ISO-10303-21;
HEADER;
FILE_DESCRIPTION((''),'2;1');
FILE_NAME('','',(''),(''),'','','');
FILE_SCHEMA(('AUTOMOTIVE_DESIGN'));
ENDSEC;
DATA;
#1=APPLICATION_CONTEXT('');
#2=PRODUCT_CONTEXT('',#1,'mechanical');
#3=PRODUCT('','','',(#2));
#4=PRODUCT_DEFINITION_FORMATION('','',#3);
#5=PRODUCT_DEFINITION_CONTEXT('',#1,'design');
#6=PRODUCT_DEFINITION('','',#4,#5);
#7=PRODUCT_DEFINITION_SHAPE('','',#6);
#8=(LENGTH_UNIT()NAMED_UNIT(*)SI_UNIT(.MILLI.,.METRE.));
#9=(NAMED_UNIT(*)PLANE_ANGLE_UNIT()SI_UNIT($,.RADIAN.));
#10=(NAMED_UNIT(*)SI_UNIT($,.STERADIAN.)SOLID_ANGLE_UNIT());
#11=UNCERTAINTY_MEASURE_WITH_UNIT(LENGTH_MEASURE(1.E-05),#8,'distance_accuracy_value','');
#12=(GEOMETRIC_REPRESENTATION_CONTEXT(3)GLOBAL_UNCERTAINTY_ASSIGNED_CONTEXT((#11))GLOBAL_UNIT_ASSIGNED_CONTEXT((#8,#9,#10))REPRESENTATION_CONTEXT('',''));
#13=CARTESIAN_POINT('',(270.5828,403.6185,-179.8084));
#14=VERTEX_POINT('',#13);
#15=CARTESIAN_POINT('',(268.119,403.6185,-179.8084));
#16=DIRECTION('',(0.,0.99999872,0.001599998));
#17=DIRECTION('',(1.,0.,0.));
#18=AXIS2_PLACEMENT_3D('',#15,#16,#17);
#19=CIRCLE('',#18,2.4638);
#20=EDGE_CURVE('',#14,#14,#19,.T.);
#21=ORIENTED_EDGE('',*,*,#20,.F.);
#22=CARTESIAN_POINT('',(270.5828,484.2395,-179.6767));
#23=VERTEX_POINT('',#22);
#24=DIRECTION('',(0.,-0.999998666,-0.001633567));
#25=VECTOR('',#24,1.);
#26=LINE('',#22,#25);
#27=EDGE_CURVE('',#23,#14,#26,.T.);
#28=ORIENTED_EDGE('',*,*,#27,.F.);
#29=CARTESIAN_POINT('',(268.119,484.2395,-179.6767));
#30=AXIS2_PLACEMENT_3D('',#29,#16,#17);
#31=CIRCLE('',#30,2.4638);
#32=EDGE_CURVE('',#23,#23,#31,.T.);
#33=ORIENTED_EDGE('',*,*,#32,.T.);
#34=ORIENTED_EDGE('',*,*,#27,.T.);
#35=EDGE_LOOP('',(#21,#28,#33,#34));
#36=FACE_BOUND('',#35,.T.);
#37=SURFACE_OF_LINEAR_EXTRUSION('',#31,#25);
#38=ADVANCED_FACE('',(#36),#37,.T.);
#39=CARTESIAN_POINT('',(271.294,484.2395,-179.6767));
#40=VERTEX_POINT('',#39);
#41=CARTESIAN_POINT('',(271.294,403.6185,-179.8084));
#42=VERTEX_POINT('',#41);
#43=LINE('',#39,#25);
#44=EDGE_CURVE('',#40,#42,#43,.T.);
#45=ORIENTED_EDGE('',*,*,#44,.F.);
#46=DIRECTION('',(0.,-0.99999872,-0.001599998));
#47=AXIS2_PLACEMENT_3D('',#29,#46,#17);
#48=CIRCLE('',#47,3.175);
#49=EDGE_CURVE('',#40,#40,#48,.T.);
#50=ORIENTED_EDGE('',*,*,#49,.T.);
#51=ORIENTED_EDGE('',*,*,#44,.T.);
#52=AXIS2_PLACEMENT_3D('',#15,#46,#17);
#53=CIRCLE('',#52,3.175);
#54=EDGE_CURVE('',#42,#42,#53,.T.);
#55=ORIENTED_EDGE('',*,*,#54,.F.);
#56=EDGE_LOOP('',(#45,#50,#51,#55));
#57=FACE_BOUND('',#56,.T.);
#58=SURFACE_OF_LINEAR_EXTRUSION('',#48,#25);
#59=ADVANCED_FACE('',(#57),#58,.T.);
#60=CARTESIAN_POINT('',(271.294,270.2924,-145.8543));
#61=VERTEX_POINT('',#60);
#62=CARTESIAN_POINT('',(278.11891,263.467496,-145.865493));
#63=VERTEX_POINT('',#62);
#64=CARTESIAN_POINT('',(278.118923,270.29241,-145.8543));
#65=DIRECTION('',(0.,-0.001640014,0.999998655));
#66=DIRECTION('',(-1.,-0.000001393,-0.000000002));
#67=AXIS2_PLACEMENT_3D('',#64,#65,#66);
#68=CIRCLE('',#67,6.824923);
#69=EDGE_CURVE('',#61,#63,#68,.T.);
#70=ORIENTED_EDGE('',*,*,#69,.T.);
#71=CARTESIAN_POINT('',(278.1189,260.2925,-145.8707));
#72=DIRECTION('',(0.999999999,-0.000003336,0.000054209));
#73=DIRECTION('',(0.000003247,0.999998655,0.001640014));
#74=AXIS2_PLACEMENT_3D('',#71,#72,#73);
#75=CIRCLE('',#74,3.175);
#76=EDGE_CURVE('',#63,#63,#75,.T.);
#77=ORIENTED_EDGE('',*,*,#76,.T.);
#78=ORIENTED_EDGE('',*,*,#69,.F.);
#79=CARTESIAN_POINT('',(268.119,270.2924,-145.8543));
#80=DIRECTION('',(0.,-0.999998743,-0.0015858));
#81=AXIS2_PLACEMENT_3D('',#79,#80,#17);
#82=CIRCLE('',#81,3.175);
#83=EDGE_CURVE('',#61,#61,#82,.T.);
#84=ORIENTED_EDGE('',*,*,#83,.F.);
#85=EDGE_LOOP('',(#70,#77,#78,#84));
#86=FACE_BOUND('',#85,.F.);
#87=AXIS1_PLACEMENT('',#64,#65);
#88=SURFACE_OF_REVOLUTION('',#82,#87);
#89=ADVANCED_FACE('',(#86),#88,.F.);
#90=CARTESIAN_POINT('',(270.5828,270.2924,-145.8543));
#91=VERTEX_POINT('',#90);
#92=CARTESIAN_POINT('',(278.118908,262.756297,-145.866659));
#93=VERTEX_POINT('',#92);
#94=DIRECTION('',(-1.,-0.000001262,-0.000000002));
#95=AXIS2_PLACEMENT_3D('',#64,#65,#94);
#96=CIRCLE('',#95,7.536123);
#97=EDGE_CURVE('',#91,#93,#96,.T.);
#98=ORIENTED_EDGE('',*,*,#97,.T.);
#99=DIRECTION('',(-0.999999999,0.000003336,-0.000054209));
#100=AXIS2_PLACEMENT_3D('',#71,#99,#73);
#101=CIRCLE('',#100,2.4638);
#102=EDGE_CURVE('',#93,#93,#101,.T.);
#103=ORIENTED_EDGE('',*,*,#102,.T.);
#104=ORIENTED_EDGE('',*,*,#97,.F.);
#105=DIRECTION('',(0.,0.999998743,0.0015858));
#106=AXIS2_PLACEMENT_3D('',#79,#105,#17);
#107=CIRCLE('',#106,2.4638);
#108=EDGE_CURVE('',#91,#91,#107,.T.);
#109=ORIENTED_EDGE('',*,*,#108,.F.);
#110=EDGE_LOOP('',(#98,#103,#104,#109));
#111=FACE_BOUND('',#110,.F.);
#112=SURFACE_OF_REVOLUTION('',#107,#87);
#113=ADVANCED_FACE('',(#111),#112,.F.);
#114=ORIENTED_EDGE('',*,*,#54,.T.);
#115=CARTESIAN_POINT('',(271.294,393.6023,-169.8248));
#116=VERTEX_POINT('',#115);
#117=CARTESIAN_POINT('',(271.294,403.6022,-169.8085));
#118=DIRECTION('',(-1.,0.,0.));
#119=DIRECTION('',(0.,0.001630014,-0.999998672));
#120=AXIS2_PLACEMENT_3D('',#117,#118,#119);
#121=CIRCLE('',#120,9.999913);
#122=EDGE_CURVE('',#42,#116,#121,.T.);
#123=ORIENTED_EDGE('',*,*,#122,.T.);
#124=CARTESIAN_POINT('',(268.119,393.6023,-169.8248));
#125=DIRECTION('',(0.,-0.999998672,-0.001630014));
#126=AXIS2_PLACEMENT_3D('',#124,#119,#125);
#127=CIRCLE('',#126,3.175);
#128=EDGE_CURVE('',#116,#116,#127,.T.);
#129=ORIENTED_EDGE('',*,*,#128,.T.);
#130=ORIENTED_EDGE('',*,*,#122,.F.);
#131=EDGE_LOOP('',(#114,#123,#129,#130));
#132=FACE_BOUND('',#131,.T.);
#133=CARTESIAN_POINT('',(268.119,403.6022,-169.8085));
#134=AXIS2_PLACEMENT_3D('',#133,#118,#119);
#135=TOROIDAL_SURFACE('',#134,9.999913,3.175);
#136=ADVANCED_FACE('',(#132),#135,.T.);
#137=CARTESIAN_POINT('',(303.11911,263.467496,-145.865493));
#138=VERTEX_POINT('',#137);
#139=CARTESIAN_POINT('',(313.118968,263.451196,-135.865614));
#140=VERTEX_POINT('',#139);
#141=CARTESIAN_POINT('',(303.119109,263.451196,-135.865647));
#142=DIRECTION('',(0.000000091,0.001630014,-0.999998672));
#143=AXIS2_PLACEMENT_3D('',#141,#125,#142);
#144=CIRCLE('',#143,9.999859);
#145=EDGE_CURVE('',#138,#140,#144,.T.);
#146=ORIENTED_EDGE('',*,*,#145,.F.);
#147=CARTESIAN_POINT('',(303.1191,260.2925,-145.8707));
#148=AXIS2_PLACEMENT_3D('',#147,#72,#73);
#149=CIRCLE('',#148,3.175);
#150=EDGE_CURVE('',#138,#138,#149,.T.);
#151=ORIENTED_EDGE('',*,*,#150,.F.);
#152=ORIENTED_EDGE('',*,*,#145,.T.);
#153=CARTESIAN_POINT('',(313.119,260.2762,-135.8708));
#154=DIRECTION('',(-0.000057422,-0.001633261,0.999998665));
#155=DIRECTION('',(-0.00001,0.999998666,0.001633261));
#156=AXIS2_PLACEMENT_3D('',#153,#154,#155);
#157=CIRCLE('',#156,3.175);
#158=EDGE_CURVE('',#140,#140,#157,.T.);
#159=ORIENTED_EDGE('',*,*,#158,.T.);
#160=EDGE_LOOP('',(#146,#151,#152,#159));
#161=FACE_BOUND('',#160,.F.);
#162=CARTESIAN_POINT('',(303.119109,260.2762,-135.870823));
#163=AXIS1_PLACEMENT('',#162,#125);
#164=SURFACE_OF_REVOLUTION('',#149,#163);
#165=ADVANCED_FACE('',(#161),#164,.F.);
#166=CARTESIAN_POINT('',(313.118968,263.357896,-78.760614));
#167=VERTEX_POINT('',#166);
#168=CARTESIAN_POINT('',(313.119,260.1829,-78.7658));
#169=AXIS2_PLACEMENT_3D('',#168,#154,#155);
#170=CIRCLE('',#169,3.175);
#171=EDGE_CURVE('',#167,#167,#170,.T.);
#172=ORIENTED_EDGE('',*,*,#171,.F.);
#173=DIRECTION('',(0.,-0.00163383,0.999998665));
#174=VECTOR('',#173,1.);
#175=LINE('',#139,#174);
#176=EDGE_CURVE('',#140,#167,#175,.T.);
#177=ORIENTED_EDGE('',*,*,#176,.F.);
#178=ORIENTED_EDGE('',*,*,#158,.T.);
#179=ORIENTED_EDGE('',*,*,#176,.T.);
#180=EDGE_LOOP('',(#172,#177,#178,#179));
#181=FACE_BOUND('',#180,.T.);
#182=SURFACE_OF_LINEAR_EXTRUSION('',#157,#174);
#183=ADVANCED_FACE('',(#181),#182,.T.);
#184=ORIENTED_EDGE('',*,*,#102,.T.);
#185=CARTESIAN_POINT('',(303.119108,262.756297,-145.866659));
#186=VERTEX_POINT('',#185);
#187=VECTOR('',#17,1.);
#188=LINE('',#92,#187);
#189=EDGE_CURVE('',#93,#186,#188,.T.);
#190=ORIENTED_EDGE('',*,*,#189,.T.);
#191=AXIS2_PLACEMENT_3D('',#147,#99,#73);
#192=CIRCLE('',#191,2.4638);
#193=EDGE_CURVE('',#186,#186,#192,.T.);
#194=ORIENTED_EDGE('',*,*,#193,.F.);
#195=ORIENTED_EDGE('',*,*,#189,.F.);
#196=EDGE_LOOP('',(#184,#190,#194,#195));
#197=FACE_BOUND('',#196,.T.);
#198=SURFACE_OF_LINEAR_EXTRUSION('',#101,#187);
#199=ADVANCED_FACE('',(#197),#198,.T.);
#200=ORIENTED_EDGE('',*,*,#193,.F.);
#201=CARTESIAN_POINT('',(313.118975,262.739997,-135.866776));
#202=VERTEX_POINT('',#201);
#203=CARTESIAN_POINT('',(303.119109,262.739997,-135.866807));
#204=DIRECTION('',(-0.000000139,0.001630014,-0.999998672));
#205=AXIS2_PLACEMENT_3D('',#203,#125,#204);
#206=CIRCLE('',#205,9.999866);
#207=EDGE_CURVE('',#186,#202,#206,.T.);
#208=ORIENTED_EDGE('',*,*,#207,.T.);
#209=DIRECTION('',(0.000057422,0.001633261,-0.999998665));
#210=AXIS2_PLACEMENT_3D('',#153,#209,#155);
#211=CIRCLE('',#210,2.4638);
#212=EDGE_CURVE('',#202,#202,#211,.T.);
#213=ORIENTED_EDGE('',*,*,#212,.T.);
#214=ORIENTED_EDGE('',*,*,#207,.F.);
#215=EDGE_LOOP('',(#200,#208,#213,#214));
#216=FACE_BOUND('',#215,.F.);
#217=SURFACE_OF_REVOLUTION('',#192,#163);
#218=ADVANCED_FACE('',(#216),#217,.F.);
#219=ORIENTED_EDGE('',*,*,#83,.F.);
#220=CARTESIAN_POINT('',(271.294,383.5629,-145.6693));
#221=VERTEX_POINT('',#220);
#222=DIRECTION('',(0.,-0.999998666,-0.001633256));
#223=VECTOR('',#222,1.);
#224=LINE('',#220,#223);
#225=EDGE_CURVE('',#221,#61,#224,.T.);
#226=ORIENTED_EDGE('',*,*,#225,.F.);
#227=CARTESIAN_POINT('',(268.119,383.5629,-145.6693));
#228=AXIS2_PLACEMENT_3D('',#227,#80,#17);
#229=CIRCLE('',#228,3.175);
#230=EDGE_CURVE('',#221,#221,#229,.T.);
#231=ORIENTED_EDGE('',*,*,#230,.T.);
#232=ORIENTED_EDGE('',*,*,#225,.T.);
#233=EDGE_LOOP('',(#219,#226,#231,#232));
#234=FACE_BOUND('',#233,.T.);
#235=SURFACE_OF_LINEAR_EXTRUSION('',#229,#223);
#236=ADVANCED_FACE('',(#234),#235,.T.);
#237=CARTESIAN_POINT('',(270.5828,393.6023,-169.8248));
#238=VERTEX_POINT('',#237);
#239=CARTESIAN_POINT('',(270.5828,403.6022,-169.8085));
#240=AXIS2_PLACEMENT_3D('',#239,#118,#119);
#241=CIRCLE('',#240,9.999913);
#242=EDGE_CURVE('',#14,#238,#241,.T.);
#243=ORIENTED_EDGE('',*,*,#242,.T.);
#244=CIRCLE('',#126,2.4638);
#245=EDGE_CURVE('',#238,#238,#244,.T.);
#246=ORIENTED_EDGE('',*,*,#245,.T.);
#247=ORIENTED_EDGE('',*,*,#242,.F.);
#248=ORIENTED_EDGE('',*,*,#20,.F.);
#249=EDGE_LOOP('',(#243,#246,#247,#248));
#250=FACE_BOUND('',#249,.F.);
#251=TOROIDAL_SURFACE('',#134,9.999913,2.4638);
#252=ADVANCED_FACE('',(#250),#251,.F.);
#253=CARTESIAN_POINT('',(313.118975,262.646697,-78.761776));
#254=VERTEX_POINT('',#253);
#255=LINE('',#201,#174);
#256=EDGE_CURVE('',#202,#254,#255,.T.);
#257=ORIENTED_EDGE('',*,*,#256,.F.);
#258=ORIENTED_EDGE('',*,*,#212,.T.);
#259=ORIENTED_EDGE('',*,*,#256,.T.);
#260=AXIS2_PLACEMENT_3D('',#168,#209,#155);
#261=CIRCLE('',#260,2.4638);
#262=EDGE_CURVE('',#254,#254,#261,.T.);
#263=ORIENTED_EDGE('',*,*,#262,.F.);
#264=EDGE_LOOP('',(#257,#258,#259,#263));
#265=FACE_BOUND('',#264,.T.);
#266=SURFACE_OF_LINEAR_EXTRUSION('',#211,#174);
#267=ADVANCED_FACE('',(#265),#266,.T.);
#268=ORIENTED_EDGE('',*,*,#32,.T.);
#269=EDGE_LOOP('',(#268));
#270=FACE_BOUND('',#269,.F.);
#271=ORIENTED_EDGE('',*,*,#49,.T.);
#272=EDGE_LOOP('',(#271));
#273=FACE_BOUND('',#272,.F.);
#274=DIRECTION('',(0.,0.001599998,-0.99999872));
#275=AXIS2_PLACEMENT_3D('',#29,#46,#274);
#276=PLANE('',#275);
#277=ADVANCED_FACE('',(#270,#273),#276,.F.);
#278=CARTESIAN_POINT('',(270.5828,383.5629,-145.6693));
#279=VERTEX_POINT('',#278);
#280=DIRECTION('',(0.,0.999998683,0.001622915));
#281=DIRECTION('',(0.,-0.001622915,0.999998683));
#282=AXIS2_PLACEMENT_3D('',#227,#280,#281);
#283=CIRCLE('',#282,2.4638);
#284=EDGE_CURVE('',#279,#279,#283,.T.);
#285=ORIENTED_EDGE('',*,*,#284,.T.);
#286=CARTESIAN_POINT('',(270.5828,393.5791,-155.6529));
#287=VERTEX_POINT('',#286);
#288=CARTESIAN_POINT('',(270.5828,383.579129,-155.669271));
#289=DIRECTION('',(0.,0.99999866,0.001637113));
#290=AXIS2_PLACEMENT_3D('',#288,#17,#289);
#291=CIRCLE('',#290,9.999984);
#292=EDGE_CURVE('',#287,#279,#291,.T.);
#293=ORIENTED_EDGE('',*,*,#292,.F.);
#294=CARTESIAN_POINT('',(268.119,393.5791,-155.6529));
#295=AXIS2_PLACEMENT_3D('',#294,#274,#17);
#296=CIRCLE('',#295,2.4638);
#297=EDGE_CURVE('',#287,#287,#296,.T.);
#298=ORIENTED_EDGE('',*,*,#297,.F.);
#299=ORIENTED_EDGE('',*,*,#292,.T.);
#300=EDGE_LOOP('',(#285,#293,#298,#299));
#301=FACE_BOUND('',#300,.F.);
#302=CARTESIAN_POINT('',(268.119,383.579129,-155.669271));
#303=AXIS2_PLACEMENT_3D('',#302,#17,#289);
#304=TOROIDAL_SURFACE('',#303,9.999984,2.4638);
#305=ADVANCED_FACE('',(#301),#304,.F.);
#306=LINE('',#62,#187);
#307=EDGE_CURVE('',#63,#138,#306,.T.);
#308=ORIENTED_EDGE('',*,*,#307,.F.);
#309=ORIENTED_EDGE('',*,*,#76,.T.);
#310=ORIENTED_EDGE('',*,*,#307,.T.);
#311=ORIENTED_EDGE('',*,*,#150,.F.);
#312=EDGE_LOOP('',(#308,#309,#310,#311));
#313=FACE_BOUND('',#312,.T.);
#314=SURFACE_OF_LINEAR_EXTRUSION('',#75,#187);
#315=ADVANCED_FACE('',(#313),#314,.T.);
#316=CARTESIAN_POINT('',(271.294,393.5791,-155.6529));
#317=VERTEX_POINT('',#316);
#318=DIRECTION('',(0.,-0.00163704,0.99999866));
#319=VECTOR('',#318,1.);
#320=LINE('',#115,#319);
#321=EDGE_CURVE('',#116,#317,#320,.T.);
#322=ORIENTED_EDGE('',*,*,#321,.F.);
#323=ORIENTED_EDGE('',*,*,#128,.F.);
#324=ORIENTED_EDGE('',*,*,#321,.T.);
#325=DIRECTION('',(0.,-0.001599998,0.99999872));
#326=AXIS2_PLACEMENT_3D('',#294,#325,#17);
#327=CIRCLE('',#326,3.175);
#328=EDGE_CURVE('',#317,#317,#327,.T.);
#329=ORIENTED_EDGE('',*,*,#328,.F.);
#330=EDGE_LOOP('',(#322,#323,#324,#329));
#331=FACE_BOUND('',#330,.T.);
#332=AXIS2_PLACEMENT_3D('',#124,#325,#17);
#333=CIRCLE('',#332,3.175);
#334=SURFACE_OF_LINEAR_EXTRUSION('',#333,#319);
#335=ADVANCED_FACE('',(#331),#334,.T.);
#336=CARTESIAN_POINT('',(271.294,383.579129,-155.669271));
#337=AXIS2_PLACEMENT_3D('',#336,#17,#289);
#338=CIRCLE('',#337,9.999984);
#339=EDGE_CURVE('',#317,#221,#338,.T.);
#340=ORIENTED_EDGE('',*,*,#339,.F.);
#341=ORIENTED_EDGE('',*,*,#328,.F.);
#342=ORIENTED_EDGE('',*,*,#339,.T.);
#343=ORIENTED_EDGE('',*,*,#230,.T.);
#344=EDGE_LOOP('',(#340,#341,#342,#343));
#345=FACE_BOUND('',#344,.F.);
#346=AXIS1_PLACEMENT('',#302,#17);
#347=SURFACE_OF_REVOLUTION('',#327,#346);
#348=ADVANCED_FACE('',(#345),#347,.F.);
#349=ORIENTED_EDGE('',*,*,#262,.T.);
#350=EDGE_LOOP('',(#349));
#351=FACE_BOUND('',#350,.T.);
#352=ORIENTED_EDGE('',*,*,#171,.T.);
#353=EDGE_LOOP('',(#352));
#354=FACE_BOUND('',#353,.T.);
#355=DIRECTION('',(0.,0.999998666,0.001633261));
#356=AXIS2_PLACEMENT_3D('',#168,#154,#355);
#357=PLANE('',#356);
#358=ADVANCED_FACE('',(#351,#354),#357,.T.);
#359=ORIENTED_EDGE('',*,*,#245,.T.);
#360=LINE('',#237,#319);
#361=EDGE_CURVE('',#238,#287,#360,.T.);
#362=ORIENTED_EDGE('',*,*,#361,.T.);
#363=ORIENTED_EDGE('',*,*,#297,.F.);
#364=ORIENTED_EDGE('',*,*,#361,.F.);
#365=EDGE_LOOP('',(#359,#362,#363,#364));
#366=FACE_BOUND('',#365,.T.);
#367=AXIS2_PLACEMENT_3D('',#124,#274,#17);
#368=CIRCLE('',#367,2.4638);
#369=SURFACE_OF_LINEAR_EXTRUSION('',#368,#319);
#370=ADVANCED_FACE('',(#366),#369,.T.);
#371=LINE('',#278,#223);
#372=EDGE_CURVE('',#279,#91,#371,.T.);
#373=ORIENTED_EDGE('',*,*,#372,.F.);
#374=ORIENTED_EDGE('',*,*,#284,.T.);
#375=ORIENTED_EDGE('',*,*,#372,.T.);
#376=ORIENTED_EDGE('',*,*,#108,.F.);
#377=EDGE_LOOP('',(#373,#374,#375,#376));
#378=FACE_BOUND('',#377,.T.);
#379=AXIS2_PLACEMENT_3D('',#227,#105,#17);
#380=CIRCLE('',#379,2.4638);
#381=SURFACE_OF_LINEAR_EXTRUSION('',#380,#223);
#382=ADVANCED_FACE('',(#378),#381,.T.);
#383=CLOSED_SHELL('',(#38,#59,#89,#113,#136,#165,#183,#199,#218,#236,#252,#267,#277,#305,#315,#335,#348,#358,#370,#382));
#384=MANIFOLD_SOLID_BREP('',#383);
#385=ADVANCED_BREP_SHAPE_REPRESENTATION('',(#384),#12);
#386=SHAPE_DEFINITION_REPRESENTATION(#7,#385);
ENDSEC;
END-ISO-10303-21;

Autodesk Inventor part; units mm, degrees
ref_plane "YZ Plane" through (0, 0, 0) normal (1, 0, 0) x (0, 1, 0)
ref_plane "XZ Plane" through (0, 0, 0) normal (0, 1, 0) x (-1, 0, 0)
ref_plane "Work Plane3" through (268.119, 484.2395, -179.6767) normal (0, -1, -0.0016) x (1, 0, 0)
sketch "Sketch3" plane through (268.119, 484.2395, -179.6767) normal (0, -1, -0.0016) x (1, 0, 0)
  circle A0 centre (0, 0) radius 3.175
  circle A1 centre (0, 0) radius 2.4638
sketch3d "3D Sketch1"
  line L0 (268.119, 484.2395, -179.6767) -> (268.119, 403.6185, -179.8084)
  arc A0 (268.119, 403.6185, -179.8084) -> (268.119, 393.6023, -169.8248) centre (268.119, 403.6022, -169.8085) ccw
  line L1 (268.119, 393.6023, -169.8248) -> (268.119, 393.5791, -155.6529)
  arc A1 (268.119, 393.5791, -155.6529) -> (268.119, 383.5629, -145.6693) centre (268.119, 383.5793, -155.6692) ccw
  line L2 (268.119, 383.5629, -145.6693) -> (268.119, 270.2924, -145.8543)
  arc A2 (268.119, 270.2924, -145.8543) -> (278.1189, 260.2925, -145.8707) centre (278.1189, 270.2924, -145.8543) ccw
  line L3 (278.1189, 260.2925, -145.8707) -> (303.1191, 260.2925, -145.8707)
  arc A3 (303.1191, 260.2925, -145.8707) -> (313.119, 260.2762, -135.8708) centre (303.1191, 260.2762, -135.8708) ccw
  line L4 (313.119, 260.2762, -135.8708) -> (313.119, 260.1829, -78.7658)
  dimension "d8" = 9.9999
  dimension "d9" = 9.9999
  dimension "d6" = 9.9999
  dimension "d7" = 9.9999
sweep "Sweep1" add profiles "Sketch3" path "3D Sketch1"
equation "\"OD\" = 6.35"
equation "\"t\" = 0.7112"
equation "\"L\" = PL"
equation "\"ID\" = 4.9276"
equation "\"PL\" = 353.0092"
equation "\"D\" = 15.24"
equation "\"Size_Designation\" = 1.2345"
properties material "Stainless Steel"
